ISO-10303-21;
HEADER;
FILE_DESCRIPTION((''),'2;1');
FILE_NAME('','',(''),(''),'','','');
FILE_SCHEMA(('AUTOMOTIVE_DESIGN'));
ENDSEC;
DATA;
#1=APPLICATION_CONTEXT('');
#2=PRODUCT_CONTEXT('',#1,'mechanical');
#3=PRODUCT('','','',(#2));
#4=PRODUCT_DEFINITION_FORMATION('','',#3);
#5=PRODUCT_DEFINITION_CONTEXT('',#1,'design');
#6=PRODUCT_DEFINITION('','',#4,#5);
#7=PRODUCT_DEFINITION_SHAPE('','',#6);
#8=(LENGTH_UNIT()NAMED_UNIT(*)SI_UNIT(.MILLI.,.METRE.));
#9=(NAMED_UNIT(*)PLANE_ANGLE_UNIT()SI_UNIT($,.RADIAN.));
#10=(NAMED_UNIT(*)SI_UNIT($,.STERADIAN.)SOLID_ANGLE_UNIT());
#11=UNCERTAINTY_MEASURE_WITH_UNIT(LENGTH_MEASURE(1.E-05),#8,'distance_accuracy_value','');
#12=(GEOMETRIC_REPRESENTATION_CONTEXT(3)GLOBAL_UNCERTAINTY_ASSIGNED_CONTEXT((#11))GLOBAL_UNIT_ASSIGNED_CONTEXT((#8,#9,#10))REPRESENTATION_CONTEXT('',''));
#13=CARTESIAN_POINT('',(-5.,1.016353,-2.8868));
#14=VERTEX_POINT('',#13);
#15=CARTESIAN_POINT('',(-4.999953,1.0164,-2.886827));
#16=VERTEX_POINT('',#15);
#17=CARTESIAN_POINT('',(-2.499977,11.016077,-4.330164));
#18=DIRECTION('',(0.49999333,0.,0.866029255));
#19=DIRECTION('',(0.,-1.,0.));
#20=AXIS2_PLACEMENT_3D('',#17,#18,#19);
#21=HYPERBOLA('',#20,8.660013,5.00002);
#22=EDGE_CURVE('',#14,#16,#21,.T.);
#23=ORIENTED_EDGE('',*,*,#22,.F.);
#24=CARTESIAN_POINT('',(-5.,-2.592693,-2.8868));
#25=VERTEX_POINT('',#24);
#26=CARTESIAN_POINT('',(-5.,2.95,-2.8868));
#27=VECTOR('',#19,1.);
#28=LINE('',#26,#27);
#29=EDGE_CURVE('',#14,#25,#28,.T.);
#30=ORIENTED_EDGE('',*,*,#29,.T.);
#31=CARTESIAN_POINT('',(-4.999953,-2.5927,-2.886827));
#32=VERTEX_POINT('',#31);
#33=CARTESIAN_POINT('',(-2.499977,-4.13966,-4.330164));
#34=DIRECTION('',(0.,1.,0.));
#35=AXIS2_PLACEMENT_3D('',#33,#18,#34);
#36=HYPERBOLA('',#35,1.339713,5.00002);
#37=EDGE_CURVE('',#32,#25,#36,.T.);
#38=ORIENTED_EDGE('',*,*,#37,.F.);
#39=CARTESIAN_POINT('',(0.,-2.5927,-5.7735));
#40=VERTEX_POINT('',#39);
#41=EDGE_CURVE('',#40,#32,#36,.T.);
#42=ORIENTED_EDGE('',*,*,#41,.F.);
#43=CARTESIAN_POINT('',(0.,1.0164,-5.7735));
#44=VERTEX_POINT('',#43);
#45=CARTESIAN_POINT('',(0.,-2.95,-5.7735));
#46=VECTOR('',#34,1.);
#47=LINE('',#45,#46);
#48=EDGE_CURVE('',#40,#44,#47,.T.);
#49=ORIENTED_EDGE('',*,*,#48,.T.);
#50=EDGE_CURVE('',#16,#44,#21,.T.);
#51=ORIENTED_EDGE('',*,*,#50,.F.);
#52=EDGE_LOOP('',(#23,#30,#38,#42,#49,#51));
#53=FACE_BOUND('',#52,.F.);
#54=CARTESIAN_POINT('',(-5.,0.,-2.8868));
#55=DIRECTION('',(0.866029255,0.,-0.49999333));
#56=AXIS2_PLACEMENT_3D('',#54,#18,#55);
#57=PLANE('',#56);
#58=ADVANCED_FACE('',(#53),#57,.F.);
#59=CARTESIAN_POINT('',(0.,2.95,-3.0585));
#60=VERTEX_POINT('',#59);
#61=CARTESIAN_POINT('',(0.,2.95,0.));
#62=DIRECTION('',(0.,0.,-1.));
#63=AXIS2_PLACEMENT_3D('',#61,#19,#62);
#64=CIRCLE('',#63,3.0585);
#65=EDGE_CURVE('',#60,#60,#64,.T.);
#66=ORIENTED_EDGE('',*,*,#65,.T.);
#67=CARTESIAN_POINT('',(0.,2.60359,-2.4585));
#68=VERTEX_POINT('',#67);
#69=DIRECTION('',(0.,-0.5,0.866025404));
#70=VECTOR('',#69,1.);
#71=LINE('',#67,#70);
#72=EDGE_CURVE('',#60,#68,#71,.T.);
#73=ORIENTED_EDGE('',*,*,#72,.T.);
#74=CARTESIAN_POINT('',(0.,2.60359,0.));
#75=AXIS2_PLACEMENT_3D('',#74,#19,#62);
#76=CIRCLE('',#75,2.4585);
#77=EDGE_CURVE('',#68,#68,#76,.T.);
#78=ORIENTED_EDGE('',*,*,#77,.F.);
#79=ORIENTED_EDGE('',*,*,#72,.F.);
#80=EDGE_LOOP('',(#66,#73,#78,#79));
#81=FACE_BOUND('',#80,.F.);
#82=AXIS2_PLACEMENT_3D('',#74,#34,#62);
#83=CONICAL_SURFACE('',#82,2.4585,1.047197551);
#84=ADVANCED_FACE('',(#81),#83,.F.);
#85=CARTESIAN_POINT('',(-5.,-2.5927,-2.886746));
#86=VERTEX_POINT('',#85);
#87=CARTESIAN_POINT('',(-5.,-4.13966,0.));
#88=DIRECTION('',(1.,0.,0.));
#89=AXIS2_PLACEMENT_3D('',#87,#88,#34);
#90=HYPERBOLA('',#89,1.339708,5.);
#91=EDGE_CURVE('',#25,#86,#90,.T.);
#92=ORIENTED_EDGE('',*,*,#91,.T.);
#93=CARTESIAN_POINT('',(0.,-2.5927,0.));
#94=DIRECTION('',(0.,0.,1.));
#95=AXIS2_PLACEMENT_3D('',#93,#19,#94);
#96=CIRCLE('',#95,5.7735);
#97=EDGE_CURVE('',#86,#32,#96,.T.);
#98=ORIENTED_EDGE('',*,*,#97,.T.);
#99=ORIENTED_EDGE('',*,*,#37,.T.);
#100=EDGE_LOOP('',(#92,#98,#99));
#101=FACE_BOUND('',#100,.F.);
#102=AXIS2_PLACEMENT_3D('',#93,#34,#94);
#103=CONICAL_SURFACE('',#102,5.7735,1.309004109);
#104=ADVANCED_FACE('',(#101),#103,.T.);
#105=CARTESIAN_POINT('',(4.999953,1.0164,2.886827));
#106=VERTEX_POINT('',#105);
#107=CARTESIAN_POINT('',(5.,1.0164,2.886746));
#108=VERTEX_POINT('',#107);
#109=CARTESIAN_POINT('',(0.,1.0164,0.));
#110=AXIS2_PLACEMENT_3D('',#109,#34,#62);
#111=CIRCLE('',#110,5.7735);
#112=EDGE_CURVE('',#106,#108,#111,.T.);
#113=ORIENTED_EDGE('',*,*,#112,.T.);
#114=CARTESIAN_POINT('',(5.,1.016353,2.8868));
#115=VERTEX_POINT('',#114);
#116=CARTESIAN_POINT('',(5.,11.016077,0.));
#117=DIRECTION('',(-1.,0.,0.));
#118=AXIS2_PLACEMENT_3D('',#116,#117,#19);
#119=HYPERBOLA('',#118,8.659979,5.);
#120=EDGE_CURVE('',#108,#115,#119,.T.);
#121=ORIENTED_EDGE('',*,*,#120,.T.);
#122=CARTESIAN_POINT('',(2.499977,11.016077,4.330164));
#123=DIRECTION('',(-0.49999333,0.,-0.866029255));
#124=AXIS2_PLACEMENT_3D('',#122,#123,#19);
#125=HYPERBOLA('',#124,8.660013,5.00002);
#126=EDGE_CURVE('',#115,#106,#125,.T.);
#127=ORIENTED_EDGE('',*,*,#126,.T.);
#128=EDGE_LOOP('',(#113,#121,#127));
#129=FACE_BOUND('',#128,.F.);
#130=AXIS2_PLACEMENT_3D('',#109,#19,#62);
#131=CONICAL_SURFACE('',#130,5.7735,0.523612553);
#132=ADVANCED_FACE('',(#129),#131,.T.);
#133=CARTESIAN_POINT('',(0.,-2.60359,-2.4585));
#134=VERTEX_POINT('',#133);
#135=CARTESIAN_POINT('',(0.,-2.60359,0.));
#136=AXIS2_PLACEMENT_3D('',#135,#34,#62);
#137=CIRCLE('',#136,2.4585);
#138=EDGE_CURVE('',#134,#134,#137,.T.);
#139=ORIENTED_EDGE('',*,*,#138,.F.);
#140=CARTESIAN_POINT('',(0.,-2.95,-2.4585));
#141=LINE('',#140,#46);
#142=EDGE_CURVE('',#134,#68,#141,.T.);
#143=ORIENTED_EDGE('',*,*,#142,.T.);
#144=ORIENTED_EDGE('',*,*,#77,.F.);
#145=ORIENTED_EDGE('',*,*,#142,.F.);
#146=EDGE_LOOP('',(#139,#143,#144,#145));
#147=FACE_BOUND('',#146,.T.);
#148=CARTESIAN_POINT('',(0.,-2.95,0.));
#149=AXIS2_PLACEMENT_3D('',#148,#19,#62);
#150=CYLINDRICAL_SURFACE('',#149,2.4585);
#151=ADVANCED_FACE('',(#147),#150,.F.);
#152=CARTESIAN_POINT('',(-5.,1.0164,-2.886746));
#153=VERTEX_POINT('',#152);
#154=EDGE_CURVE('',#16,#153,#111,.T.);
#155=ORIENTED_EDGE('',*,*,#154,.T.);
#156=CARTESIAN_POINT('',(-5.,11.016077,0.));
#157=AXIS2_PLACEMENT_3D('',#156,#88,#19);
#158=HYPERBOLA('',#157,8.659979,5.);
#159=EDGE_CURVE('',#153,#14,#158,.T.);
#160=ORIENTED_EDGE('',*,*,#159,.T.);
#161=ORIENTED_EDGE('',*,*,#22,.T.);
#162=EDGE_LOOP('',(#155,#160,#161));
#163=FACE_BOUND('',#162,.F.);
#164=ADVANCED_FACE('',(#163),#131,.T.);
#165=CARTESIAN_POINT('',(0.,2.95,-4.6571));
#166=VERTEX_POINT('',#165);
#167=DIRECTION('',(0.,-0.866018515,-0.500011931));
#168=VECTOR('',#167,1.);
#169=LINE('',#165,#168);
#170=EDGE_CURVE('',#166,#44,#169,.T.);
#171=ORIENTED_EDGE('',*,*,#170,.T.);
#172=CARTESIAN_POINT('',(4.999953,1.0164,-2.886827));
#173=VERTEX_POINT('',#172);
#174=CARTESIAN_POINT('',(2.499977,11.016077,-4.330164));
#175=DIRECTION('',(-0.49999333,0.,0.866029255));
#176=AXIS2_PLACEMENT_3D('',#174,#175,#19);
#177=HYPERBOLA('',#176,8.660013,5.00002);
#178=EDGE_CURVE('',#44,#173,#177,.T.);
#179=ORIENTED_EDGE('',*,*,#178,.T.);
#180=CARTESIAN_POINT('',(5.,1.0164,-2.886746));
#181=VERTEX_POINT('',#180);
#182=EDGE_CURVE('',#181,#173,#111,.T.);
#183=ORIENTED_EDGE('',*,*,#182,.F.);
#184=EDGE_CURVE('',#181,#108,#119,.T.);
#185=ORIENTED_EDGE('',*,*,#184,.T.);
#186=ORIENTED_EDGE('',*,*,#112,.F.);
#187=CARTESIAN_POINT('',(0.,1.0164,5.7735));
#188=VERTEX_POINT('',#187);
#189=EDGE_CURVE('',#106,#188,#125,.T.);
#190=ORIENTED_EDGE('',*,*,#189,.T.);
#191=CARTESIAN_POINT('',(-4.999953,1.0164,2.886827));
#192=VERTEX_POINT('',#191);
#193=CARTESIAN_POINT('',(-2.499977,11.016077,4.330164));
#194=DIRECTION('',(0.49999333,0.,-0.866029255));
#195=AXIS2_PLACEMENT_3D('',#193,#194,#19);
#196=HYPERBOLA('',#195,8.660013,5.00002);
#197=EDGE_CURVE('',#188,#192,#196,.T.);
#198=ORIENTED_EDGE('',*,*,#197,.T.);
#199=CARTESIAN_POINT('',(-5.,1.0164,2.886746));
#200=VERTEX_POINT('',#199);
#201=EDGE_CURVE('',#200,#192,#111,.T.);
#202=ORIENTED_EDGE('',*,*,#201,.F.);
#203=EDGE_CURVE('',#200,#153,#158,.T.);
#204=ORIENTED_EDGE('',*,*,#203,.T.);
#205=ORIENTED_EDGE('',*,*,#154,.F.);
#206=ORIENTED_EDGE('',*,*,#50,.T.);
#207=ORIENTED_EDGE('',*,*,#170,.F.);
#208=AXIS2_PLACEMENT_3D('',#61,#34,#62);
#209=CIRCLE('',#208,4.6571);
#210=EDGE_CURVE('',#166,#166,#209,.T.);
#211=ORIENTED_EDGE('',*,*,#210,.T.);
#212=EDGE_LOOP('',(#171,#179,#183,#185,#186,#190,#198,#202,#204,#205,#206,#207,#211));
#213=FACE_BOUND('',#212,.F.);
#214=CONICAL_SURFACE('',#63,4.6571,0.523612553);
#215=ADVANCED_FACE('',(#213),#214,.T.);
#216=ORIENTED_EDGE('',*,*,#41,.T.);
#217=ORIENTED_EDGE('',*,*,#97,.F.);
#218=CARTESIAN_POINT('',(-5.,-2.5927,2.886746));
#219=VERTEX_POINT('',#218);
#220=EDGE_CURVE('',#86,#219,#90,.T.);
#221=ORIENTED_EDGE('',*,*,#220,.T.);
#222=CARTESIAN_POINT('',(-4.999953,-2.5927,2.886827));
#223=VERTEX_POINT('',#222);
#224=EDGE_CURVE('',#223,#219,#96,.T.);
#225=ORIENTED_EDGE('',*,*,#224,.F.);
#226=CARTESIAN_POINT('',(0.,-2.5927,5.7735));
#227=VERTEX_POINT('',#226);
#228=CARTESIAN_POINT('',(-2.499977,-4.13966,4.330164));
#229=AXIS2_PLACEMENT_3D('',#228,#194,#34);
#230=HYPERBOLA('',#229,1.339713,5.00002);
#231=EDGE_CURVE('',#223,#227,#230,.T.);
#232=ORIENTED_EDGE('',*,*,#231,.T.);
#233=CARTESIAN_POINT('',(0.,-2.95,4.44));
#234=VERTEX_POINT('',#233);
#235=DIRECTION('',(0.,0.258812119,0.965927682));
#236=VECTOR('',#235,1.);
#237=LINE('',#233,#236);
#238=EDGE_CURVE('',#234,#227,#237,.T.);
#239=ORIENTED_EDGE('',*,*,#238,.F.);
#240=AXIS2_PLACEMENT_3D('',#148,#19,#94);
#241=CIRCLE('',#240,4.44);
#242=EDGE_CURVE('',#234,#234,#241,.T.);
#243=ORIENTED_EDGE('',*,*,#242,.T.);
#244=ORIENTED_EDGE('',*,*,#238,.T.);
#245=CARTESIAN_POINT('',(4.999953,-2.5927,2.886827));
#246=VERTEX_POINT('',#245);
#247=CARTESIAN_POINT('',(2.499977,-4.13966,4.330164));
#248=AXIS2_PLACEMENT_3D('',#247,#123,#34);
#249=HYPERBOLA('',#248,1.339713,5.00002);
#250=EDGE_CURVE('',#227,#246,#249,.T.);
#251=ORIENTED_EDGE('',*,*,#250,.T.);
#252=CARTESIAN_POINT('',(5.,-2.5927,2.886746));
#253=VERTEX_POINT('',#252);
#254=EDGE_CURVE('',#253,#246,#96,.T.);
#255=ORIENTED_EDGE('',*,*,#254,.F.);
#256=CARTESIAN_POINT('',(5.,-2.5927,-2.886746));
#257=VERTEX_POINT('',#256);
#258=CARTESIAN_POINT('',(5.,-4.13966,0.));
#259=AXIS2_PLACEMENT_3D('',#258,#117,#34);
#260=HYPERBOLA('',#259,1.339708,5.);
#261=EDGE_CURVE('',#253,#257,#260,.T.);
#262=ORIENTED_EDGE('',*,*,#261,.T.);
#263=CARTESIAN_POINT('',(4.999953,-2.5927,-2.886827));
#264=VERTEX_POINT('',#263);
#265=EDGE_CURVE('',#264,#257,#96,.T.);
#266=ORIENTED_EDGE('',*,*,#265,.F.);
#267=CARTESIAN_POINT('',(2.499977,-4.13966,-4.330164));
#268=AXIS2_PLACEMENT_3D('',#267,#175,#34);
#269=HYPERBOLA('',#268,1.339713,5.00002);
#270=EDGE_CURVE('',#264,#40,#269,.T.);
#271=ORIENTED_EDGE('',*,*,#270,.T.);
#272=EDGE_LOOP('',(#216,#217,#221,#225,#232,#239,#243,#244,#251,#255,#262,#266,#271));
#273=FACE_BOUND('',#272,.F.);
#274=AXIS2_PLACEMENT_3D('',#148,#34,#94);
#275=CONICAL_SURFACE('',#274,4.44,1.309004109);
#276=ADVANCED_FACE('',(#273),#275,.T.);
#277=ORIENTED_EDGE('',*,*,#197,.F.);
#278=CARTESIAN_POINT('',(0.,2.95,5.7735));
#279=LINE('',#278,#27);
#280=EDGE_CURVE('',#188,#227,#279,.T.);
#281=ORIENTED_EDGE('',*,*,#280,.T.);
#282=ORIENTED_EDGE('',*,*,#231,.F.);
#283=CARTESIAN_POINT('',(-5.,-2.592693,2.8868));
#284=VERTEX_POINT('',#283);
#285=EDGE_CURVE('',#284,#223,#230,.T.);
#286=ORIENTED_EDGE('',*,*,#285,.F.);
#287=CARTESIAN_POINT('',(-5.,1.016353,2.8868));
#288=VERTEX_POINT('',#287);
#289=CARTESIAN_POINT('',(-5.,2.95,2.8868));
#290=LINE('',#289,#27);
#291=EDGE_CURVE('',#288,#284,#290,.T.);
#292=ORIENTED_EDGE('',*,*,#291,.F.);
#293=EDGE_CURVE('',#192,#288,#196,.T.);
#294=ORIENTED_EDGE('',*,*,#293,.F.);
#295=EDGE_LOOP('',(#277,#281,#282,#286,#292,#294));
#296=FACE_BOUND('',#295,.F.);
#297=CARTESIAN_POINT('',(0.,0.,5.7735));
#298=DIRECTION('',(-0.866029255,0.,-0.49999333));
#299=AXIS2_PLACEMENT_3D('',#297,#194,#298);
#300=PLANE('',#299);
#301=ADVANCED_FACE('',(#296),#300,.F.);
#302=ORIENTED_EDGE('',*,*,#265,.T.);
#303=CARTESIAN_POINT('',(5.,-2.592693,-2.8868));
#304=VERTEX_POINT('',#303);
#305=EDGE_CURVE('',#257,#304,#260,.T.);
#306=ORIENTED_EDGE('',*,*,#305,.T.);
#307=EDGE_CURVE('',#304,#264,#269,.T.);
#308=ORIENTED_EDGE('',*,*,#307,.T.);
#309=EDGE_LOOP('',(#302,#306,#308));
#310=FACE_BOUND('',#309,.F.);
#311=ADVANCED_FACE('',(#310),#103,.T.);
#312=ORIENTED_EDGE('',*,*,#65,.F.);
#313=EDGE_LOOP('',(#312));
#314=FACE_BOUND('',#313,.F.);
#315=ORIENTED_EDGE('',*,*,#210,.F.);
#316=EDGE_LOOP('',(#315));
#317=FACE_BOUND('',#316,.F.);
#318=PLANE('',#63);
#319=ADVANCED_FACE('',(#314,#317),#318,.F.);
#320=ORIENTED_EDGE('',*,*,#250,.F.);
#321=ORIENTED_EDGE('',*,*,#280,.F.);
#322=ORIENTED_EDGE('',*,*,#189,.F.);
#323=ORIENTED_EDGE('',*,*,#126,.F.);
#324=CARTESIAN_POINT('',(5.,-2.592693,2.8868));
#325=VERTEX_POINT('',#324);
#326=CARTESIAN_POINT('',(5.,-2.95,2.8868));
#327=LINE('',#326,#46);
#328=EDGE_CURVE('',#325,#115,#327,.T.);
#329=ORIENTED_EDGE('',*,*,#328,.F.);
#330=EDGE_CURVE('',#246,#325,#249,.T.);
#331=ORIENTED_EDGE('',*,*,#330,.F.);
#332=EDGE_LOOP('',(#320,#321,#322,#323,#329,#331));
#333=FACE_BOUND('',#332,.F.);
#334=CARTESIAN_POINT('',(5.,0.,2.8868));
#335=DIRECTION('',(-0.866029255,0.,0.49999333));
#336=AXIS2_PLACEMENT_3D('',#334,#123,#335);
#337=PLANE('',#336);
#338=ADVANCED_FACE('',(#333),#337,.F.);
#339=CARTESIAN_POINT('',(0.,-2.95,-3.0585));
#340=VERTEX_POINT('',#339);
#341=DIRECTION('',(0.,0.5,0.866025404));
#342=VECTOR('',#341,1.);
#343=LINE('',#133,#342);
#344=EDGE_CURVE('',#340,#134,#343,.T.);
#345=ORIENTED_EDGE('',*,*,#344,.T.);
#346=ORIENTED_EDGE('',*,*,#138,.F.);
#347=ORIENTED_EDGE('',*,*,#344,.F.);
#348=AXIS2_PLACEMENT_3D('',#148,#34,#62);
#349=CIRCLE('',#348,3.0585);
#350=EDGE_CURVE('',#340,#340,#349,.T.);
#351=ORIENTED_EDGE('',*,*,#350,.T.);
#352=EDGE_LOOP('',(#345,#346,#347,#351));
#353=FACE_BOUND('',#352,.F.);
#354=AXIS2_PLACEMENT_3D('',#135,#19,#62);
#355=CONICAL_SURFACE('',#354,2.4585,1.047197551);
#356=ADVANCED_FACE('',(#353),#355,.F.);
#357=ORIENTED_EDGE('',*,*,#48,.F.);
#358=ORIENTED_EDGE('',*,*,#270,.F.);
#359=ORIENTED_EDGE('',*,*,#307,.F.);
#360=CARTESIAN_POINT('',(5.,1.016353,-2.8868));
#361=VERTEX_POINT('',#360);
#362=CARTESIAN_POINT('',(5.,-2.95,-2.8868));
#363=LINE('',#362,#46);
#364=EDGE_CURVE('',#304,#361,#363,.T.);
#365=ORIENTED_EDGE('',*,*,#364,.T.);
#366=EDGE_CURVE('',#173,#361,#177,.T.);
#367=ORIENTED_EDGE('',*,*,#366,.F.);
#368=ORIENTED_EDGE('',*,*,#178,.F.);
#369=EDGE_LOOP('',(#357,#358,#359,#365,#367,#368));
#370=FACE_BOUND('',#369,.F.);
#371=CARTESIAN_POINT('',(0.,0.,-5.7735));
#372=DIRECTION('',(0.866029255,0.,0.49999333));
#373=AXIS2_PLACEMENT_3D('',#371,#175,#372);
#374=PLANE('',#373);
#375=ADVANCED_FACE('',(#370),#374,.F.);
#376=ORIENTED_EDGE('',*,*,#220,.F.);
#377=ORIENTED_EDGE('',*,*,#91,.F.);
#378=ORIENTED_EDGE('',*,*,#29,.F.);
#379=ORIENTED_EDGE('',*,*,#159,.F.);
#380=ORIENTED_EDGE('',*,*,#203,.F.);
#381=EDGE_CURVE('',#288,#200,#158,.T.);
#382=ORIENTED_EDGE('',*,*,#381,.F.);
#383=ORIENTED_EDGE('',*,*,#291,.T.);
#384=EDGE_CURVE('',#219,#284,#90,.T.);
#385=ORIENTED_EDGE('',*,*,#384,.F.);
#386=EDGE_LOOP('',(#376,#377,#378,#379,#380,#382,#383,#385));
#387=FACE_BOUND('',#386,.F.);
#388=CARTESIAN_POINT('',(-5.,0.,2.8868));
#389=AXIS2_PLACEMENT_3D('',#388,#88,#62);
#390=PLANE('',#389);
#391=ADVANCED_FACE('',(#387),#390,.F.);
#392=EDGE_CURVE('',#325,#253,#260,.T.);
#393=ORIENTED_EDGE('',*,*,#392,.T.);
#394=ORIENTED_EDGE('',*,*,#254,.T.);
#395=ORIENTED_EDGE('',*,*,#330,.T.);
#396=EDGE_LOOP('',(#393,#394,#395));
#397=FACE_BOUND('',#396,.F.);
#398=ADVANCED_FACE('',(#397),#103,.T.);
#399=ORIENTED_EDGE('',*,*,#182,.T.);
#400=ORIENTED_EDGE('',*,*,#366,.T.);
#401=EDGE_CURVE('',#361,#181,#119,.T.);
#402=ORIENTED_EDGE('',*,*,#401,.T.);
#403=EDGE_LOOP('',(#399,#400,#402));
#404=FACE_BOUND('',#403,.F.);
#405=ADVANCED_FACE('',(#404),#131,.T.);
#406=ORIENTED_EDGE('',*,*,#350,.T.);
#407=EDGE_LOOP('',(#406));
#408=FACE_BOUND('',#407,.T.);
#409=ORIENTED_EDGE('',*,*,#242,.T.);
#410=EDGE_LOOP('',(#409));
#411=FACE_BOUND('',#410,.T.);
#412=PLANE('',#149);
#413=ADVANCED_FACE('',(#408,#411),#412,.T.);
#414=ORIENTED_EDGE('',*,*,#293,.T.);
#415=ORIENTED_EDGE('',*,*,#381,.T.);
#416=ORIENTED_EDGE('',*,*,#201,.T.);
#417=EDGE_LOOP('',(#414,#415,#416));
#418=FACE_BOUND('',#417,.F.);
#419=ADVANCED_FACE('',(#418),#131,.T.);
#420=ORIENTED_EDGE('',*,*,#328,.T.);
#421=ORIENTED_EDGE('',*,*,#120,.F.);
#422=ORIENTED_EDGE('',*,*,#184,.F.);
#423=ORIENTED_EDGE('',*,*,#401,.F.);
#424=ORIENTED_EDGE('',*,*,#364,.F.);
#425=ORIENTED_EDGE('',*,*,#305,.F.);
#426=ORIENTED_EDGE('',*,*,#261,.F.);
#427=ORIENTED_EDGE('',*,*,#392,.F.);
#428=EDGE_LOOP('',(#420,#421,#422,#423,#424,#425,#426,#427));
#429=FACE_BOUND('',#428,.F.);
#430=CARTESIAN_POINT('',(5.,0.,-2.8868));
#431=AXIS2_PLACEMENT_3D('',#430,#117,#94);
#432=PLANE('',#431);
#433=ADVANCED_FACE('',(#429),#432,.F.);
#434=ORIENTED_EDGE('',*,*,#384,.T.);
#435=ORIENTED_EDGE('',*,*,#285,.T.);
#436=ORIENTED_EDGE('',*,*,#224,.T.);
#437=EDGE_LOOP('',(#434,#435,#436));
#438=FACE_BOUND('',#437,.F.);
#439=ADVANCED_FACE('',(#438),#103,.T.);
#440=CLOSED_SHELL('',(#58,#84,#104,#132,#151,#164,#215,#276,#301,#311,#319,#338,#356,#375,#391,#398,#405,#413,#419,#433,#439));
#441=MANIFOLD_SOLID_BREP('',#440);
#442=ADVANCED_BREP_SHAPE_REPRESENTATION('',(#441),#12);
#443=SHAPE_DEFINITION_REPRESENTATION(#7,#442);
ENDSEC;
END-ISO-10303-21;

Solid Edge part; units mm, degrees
sketch "Sketch1" plane through (0, 0, 0) normal (0, -1, 0) x (1, 0, 0)
  line L0 (5, 2.8868) -> (0, 5.7735)
  line L1 (0, 5.7735) -> (-5, 2.8868)
  line L2 (-5, 2.8868) -> (-5, -2.8868)
  line L3 (-5, -2.8868) -> (0, -5.7735)
  line L4 (0, -5.7735) -> (5, -2.8868)
  line L5 (5, -2.8868) -> (5, 2.8868)
extrude "Protrusion1" add sketch "Sketch1" along normal mid plane 5.9
sketch "Sketch2" plane through (0, 0, 0) normal (1, 0, 0) x (0, 1, 0)
  line L0 (-2.95, 4.44) -> (-2.5927, 5.7735)
revolve "RevolvedCutout1" cut sketch "Sketch2" angle 360 about axis through (0, 0, 0) along (0, -1, 0) material side at (0, -2.8196, 5.1197)
hole "孔_7" at (0, -2.95, 0) direction (0, 1, 0) diameter 4.917 end up to next start chamfer 0.6 start chamfer angle 60 end chamfer 0.6 end chamfer angle 60
sketch "Sketch3" plane through (0, 0, 0) normal (1, 0, 0) x (0, 1, 0)
  line L0 (2.95, -4.6571) -> (1.0164, -5.7735)
revolve "RevolvedCutout2" cut sketch "Sketch3" angle 360 about axis through (0, 0, 0) along (0, 1, 0) material side at (0, 2.0082, -5.2586)
properties part number "N2531-"
